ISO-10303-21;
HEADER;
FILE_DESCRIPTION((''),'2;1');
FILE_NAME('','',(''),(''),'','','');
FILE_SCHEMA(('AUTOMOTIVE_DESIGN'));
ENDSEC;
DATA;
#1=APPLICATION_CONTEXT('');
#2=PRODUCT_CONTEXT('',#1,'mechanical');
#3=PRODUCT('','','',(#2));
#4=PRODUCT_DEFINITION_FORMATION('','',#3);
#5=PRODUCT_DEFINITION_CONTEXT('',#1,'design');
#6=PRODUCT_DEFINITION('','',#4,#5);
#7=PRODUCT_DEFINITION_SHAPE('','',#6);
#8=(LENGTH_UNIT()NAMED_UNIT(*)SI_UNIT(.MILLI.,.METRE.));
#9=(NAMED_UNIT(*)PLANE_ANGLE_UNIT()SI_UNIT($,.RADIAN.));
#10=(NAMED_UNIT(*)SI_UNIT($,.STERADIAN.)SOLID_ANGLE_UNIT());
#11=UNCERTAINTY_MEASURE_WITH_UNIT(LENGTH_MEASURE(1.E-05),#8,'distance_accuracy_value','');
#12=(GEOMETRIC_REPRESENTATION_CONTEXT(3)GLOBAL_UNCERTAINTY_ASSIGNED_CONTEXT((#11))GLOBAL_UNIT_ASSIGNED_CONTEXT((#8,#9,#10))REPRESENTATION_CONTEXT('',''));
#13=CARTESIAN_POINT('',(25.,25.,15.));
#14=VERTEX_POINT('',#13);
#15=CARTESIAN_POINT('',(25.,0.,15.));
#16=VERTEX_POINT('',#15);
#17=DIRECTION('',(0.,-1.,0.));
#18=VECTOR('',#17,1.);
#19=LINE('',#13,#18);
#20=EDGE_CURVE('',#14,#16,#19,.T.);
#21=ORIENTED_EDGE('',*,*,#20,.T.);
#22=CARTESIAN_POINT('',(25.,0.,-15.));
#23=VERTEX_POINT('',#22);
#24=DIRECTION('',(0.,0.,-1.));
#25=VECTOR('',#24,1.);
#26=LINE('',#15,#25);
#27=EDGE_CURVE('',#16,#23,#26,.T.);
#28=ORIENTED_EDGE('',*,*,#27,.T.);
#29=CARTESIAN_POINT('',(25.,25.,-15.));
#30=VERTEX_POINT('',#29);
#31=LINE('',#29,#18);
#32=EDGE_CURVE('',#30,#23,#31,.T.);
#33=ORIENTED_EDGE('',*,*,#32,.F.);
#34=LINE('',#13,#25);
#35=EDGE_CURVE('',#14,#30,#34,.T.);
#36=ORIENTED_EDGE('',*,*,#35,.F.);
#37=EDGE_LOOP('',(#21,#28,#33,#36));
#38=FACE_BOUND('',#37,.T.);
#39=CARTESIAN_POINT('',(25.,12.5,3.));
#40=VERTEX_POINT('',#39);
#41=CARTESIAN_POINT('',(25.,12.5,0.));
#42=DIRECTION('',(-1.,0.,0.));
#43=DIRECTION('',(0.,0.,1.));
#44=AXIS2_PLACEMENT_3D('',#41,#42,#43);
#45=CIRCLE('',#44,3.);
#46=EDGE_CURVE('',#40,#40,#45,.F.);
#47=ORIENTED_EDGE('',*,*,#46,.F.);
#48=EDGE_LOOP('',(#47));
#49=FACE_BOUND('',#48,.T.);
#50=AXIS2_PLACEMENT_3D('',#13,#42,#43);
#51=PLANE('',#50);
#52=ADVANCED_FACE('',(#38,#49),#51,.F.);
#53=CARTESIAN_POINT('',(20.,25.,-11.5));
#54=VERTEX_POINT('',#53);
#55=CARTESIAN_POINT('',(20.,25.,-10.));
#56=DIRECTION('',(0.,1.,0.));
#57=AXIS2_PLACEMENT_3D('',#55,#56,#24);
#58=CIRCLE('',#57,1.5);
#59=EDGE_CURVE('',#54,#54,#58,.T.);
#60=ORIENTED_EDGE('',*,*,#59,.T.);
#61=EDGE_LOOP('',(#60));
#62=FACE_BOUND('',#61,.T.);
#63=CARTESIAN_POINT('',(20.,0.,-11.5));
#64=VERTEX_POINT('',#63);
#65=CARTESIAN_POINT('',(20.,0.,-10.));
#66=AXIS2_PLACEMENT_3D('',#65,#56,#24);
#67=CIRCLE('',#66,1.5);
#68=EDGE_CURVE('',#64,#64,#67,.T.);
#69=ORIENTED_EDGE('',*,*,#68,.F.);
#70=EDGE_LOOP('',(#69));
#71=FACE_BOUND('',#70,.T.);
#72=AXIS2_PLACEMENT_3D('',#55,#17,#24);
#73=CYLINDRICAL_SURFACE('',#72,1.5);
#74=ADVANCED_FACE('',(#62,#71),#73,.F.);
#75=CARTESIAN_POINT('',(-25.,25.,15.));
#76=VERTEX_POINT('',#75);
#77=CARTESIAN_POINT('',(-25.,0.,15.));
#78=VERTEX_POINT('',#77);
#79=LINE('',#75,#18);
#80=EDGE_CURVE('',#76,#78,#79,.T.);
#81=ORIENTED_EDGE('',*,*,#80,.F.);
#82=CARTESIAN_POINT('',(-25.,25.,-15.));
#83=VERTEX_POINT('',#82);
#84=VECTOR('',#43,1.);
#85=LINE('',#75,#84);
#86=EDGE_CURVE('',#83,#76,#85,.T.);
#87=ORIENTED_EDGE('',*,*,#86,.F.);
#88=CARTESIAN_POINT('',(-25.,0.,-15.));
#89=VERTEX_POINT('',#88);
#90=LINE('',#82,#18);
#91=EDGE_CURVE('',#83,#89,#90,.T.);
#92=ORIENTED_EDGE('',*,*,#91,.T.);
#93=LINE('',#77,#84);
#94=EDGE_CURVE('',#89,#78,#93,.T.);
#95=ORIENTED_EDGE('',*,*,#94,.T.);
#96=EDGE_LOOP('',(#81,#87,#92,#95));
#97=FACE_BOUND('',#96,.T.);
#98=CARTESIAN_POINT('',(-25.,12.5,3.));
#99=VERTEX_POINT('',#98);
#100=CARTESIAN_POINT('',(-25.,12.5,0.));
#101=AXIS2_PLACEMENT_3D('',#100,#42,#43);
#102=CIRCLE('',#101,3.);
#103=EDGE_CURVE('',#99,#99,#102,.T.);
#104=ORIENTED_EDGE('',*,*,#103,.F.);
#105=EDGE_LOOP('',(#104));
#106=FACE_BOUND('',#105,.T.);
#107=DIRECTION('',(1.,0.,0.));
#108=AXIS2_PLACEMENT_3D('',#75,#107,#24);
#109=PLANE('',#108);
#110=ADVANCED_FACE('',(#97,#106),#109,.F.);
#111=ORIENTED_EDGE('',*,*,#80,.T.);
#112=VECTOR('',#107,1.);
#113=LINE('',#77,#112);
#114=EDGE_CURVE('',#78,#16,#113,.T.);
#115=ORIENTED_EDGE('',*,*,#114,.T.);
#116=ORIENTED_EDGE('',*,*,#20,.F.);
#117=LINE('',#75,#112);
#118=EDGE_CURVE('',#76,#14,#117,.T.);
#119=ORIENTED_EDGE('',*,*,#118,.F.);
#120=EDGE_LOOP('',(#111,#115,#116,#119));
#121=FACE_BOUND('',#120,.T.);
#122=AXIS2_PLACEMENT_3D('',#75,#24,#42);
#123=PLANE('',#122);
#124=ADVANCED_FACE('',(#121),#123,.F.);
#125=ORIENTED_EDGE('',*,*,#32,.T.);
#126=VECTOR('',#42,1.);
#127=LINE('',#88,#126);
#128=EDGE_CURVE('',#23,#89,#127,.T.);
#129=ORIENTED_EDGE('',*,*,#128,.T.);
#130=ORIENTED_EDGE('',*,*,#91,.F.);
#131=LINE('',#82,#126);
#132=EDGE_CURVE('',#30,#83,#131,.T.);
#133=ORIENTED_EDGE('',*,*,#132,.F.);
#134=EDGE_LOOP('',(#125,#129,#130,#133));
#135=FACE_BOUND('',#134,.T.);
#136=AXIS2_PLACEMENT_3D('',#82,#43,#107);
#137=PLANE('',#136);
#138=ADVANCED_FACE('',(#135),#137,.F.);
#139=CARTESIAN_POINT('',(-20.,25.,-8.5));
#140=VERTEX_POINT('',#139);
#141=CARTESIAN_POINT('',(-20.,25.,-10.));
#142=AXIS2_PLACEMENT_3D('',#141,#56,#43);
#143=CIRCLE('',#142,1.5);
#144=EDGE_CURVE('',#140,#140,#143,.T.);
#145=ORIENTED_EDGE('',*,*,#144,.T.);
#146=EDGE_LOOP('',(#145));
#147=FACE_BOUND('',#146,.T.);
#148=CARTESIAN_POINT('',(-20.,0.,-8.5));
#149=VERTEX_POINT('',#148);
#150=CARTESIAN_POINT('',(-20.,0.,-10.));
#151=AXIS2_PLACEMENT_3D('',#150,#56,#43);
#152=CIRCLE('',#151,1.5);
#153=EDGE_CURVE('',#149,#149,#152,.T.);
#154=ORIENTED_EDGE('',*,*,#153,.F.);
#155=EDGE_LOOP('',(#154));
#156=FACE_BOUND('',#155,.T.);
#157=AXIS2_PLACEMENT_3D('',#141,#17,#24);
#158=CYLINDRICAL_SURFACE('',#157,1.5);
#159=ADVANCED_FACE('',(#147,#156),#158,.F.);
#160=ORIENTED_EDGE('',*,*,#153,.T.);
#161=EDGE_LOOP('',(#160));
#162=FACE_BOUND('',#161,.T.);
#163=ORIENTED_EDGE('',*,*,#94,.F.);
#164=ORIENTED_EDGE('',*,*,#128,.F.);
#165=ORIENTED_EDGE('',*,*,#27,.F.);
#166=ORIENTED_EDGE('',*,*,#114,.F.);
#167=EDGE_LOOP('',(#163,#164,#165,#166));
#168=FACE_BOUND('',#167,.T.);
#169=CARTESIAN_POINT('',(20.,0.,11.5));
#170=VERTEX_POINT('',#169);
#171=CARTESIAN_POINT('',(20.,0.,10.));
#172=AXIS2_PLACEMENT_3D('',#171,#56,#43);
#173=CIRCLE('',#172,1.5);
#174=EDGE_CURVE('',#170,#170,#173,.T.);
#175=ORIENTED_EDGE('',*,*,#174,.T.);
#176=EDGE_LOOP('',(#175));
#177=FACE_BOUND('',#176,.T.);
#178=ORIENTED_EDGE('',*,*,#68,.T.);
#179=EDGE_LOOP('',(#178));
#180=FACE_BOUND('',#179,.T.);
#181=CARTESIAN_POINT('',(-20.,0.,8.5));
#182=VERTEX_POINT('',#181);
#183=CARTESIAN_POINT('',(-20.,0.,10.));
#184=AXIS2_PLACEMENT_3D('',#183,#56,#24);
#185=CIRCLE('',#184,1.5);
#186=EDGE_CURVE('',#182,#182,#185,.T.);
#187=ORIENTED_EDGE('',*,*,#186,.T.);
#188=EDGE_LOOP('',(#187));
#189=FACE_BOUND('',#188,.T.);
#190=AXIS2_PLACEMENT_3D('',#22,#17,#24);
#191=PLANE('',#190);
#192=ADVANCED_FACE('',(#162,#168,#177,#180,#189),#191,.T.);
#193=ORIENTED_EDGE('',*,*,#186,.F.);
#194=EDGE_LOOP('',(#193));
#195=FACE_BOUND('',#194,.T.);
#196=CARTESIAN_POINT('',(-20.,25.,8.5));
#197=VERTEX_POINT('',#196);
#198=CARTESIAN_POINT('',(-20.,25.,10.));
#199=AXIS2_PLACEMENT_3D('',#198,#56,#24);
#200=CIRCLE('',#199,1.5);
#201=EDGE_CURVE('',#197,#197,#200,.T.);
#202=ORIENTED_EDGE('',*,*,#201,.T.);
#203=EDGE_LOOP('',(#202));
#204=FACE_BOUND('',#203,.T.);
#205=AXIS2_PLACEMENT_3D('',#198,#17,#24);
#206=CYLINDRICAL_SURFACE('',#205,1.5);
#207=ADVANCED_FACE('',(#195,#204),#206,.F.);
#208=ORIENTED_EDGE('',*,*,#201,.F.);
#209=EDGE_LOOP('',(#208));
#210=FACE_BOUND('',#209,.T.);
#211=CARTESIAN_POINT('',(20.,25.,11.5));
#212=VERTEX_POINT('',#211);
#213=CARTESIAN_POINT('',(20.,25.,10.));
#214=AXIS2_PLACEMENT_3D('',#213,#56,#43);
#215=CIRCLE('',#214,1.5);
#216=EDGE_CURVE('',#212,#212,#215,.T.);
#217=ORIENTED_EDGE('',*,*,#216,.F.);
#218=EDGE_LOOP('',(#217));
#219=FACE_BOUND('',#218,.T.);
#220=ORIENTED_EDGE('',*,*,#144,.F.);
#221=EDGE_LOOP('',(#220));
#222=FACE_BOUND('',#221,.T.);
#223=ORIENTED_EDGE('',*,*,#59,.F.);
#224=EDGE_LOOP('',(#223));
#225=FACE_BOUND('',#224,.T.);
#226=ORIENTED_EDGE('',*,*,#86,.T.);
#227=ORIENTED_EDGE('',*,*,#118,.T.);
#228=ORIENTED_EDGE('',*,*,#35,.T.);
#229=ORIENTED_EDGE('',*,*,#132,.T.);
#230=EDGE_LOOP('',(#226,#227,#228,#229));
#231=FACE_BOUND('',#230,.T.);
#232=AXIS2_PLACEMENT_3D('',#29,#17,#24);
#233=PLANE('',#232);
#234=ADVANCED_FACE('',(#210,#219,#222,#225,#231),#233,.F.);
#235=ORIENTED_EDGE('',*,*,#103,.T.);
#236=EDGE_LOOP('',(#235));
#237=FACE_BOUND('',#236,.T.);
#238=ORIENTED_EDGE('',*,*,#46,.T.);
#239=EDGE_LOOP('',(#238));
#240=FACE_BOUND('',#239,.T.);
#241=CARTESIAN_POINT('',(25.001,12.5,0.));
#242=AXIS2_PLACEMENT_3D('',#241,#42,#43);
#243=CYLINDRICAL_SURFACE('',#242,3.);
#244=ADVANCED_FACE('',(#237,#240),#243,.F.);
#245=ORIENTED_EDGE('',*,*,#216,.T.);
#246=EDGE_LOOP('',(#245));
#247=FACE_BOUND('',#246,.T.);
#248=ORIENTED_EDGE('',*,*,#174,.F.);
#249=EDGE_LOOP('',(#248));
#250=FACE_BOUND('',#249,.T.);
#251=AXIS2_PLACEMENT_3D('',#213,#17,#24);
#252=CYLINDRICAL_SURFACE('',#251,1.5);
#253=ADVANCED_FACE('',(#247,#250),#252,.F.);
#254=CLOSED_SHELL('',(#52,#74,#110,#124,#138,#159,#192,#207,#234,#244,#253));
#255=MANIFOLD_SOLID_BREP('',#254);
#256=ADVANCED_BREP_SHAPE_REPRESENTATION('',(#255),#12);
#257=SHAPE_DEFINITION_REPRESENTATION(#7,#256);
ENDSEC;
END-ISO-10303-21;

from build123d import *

# Parameters (mm, degrees)
ESQUISSE1_W             = 50
ESQUISSE1_H             = 30
ESQUISSE1_R             = 1.5
BOSS_EXTRU_1_DEPTH      = 25
ENL_V_MAT_EXTRU_1_REACH = 52
ESQUISSE2_R             = 3


with BuildPart() as part:
    # Esquisse1 → Boss.-Extru.1 (new body)
    with BuildSketch(Plane(origin=(0, 0, 0), x_dir=(1, 0, 0), z_dir=(0, 1, 0))):
        Rectangle(ESQUISSE1_W, ESQUISSE1_H)
        with Locations((-20, 10)):
            Circle(ESQUISSE1_R, mode=Mode.SUBTRACT)
        with Locations((-20, -10)):
            Circle(ESQUISSE1_R, mode=Mode.SUBTRACT)
        with Locations((20, -10)):
            Circle(ESQUISSE1_R, mode=Mode.SUBTRACT)
        with Locations((20, 10)):
            Circle(ESQUISSE1_R, mode=Mode.SUBTRACT)
    extrude(amount=BOSS_EXTRU_1_DEPTH)

    # Esquisse2 → Enlèv. mat.-Extru.1 (cut, up to next)
    with BuildSketch(Plane.ZY.offset(25), mode=Mode.PRIVATE) as enl_v_mat_extru_1_sk1:
        with Locations((0, 12.5)):
            Circle(ESQUISSE2_R)
    enl_v_mat_extru_1_tool1 = extrude(enl_v_mat_extru_1_sk1.sketch, amount=-ENL_V_MAT_EXTRU_1_REACH, mode=Mode.PRIVATE) & part.part
    add(enl_v_mat_extru_1_tool1.solids().sort_by_distance((-25, 12.5, 0))[0], mode=Mode.SUBTRACT)


solid = part.part
